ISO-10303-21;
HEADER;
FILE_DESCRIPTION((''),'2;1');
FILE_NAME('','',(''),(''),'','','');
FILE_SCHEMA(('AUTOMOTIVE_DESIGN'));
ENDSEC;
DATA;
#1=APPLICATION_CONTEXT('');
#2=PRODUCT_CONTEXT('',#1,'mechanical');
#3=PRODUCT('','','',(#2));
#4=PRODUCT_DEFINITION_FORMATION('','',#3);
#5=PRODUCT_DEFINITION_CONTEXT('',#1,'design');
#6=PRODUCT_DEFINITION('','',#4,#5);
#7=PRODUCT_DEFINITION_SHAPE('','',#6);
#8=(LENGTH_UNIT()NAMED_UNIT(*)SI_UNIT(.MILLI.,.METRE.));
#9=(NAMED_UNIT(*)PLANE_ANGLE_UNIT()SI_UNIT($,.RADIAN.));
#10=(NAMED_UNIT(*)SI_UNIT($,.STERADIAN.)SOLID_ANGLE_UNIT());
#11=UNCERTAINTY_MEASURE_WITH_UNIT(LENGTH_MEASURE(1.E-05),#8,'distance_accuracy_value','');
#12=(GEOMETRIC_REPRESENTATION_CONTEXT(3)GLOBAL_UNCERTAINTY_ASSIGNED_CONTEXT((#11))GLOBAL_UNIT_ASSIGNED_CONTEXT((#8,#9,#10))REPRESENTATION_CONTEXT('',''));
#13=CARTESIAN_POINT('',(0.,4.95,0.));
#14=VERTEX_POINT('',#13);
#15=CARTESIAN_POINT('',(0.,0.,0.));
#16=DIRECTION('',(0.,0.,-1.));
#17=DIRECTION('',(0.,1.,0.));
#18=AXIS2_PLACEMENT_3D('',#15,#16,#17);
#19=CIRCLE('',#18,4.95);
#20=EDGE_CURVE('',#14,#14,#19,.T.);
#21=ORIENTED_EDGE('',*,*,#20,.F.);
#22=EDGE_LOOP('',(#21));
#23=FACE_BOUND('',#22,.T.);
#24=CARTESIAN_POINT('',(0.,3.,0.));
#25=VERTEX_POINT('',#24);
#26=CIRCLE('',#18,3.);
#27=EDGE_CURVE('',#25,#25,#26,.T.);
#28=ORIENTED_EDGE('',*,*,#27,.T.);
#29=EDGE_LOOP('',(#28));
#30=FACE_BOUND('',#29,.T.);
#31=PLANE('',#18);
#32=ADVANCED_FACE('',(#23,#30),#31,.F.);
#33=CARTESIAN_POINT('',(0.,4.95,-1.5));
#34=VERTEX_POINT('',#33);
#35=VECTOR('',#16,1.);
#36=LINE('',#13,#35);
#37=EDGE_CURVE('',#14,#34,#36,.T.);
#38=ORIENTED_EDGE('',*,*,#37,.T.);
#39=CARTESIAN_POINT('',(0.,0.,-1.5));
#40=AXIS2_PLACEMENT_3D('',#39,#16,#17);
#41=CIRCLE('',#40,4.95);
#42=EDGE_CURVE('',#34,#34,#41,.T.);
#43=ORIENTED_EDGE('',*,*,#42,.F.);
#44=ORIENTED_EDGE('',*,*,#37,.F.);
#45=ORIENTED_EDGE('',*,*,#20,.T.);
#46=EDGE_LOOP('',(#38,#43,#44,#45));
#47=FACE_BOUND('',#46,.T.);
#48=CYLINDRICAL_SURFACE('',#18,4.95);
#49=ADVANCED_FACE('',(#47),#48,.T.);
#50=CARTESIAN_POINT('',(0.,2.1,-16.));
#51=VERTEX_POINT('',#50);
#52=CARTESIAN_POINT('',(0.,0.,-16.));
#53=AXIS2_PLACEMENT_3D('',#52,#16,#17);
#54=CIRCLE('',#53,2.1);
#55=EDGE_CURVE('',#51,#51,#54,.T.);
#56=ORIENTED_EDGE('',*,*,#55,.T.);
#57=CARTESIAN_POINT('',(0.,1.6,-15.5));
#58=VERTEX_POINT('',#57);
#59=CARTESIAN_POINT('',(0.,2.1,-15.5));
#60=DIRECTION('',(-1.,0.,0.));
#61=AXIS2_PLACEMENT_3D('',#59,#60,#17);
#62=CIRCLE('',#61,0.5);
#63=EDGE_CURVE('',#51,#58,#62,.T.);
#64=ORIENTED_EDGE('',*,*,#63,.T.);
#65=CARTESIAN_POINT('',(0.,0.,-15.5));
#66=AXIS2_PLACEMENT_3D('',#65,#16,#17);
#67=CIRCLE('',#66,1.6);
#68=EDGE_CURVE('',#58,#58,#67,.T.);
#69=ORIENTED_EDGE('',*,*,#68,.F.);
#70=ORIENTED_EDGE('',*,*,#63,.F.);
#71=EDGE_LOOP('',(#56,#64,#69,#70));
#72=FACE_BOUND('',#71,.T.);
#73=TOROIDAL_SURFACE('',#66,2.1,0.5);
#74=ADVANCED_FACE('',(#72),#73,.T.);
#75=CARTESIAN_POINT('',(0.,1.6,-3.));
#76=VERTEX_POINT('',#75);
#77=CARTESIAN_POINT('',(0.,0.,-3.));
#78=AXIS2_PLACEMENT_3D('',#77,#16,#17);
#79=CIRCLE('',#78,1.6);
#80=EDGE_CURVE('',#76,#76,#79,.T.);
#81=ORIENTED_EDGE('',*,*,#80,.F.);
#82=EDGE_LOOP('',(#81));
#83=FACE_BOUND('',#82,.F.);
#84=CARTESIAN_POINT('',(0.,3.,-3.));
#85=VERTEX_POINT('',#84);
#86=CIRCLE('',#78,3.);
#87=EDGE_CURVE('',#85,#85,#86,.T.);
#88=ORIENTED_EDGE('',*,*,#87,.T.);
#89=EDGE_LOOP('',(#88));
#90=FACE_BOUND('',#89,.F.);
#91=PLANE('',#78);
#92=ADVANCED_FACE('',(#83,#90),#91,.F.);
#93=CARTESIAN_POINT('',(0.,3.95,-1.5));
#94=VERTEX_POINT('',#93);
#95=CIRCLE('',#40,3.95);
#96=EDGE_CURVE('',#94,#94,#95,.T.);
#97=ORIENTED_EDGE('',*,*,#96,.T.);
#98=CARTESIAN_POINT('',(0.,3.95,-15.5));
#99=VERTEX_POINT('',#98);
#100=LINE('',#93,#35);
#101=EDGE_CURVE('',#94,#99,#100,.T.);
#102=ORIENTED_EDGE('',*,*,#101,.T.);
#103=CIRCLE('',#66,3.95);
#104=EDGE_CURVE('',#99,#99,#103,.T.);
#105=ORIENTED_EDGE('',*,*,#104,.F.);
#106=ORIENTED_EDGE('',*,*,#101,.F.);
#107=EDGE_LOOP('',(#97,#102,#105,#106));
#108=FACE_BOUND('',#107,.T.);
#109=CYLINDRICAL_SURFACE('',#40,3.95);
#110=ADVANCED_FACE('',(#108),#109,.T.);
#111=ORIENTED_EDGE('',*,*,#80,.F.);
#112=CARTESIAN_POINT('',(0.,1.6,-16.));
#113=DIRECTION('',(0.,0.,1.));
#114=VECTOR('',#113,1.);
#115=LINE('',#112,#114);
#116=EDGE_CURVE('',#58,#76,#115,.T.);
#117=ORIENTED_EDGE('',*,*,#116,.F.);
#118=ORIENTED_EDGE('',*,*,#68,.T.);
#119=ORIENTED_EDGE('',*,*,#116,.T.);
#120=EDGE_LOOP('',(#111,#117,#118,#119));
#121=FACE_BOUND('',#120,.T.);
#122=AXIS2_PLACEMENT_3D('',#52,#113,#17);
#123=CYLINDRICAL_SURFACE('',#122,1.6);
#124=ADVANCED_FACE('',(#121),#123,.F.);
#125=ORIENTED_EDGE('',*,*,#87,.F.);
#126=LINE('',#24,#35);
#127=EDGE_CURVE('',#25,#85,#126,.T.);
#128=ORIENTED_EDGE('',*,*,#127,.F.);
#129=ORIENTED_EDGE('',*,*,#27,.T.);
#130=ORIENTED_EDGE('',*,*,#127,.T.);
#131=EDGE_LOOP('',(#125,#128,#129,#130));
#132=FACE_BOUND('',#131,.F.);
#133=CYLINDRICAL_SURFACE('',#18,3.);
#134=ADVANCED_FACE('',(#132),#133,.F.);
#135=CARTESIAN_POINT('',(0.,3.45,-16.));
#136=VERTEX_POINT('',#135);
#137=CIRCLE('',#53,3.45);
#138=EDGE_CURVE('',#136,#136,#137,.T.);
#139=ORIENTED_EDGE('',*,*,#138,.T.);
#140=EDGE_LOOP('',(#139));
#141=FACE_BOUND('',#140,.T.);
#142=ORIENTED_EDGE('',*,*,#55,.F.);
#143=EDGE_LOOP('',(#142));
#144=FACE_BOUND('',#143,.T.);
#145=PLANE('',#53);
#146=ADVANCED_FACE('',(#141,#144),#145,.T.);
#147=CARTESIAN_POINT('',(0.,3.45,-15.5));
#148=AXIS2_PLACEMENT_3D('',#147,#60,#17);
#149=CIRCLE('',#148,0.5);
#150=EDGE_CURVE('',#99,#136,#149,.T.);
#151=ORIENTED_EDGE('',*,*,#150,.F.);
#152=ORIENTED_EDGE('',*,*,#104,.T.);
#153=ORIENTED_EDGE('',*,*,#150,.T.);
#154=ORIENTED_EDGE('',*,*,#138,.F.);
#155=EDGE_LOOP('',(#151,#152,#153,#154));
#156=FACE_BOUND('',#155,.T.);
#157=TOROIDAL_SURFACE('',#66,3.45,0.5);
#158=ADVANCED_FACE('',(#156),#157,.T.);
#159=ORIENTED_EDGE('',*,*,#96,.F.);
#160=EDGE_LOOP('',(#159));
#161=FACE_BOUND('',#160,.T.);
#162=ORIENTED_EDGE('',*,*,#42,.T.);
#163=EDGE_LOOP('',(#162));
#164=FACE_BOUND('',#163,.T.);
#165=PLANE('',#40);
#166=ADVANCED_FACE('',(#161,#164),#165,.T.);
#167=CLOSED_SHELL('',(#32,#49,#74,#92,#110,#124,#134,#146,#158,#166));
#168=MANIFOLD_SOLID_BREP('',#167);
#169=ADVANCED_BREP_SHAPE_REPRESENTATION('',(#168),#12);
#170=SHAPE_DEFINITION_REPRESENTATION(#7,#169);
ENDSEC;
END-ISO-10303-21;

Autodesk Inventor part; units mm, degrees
ref_plane "YZ Plane" through (0, 0, 0) normal (1, 0, 0) x (0, 1, 0)
ref_plane "XZ Plane" through (0, 0, 0) normal (0, 1, 0) x (-1, 0, 0)
ref_plane "XY Plane" through (0, 0, 0) normal (0, 0, 1) x (1, 0, 0)
sketch "Sketch1" plane through (0, 0, 0) normal (1, 0, 0) x (0, 1, 0)
  line L0 (0, 0) -> (1.65, 0) construction
  line L1 (1.65, 0) -> (3, 0) construction
  line L2 (4.95, 0) -> (4.95, -1.5)
  line L3 (4.95, -1.5) -> (3.95, -1.5)
  line L4 (3.95, -1.5) -> (3.95, -16)
  line L5 (3.95, -16) -> (1.6, -16)
  line L6 (1.6, -16) -> (1.6, -3)
  line L7 (0, 0) -> (0, -13.7466) construction
  line L8 (3, 0) -> (3, -3)
  line L9 (3, -3) -> (1.6, -3)
  line L10 (3, 0) -> (4.95, 0)
  dimension "d0" = 1.6
  dimension "d1" = 3.95
  dimension "d2" = 1
  dimension "d3" = 1.5
  dimension "d4" = 14.5
  dimension "d6" = 3
  dimension "d7" = 3
revolve "Revolution1" add sketch "Sketch1" angle 360 about axis through (0, 0, 0) along (0, 0, -1)
fillet "Fillet1" radius 0.5 2 edges at (0, -1.6, -16) (0, -3.95, -16)
properties part number "HD_BearingShaft2"
